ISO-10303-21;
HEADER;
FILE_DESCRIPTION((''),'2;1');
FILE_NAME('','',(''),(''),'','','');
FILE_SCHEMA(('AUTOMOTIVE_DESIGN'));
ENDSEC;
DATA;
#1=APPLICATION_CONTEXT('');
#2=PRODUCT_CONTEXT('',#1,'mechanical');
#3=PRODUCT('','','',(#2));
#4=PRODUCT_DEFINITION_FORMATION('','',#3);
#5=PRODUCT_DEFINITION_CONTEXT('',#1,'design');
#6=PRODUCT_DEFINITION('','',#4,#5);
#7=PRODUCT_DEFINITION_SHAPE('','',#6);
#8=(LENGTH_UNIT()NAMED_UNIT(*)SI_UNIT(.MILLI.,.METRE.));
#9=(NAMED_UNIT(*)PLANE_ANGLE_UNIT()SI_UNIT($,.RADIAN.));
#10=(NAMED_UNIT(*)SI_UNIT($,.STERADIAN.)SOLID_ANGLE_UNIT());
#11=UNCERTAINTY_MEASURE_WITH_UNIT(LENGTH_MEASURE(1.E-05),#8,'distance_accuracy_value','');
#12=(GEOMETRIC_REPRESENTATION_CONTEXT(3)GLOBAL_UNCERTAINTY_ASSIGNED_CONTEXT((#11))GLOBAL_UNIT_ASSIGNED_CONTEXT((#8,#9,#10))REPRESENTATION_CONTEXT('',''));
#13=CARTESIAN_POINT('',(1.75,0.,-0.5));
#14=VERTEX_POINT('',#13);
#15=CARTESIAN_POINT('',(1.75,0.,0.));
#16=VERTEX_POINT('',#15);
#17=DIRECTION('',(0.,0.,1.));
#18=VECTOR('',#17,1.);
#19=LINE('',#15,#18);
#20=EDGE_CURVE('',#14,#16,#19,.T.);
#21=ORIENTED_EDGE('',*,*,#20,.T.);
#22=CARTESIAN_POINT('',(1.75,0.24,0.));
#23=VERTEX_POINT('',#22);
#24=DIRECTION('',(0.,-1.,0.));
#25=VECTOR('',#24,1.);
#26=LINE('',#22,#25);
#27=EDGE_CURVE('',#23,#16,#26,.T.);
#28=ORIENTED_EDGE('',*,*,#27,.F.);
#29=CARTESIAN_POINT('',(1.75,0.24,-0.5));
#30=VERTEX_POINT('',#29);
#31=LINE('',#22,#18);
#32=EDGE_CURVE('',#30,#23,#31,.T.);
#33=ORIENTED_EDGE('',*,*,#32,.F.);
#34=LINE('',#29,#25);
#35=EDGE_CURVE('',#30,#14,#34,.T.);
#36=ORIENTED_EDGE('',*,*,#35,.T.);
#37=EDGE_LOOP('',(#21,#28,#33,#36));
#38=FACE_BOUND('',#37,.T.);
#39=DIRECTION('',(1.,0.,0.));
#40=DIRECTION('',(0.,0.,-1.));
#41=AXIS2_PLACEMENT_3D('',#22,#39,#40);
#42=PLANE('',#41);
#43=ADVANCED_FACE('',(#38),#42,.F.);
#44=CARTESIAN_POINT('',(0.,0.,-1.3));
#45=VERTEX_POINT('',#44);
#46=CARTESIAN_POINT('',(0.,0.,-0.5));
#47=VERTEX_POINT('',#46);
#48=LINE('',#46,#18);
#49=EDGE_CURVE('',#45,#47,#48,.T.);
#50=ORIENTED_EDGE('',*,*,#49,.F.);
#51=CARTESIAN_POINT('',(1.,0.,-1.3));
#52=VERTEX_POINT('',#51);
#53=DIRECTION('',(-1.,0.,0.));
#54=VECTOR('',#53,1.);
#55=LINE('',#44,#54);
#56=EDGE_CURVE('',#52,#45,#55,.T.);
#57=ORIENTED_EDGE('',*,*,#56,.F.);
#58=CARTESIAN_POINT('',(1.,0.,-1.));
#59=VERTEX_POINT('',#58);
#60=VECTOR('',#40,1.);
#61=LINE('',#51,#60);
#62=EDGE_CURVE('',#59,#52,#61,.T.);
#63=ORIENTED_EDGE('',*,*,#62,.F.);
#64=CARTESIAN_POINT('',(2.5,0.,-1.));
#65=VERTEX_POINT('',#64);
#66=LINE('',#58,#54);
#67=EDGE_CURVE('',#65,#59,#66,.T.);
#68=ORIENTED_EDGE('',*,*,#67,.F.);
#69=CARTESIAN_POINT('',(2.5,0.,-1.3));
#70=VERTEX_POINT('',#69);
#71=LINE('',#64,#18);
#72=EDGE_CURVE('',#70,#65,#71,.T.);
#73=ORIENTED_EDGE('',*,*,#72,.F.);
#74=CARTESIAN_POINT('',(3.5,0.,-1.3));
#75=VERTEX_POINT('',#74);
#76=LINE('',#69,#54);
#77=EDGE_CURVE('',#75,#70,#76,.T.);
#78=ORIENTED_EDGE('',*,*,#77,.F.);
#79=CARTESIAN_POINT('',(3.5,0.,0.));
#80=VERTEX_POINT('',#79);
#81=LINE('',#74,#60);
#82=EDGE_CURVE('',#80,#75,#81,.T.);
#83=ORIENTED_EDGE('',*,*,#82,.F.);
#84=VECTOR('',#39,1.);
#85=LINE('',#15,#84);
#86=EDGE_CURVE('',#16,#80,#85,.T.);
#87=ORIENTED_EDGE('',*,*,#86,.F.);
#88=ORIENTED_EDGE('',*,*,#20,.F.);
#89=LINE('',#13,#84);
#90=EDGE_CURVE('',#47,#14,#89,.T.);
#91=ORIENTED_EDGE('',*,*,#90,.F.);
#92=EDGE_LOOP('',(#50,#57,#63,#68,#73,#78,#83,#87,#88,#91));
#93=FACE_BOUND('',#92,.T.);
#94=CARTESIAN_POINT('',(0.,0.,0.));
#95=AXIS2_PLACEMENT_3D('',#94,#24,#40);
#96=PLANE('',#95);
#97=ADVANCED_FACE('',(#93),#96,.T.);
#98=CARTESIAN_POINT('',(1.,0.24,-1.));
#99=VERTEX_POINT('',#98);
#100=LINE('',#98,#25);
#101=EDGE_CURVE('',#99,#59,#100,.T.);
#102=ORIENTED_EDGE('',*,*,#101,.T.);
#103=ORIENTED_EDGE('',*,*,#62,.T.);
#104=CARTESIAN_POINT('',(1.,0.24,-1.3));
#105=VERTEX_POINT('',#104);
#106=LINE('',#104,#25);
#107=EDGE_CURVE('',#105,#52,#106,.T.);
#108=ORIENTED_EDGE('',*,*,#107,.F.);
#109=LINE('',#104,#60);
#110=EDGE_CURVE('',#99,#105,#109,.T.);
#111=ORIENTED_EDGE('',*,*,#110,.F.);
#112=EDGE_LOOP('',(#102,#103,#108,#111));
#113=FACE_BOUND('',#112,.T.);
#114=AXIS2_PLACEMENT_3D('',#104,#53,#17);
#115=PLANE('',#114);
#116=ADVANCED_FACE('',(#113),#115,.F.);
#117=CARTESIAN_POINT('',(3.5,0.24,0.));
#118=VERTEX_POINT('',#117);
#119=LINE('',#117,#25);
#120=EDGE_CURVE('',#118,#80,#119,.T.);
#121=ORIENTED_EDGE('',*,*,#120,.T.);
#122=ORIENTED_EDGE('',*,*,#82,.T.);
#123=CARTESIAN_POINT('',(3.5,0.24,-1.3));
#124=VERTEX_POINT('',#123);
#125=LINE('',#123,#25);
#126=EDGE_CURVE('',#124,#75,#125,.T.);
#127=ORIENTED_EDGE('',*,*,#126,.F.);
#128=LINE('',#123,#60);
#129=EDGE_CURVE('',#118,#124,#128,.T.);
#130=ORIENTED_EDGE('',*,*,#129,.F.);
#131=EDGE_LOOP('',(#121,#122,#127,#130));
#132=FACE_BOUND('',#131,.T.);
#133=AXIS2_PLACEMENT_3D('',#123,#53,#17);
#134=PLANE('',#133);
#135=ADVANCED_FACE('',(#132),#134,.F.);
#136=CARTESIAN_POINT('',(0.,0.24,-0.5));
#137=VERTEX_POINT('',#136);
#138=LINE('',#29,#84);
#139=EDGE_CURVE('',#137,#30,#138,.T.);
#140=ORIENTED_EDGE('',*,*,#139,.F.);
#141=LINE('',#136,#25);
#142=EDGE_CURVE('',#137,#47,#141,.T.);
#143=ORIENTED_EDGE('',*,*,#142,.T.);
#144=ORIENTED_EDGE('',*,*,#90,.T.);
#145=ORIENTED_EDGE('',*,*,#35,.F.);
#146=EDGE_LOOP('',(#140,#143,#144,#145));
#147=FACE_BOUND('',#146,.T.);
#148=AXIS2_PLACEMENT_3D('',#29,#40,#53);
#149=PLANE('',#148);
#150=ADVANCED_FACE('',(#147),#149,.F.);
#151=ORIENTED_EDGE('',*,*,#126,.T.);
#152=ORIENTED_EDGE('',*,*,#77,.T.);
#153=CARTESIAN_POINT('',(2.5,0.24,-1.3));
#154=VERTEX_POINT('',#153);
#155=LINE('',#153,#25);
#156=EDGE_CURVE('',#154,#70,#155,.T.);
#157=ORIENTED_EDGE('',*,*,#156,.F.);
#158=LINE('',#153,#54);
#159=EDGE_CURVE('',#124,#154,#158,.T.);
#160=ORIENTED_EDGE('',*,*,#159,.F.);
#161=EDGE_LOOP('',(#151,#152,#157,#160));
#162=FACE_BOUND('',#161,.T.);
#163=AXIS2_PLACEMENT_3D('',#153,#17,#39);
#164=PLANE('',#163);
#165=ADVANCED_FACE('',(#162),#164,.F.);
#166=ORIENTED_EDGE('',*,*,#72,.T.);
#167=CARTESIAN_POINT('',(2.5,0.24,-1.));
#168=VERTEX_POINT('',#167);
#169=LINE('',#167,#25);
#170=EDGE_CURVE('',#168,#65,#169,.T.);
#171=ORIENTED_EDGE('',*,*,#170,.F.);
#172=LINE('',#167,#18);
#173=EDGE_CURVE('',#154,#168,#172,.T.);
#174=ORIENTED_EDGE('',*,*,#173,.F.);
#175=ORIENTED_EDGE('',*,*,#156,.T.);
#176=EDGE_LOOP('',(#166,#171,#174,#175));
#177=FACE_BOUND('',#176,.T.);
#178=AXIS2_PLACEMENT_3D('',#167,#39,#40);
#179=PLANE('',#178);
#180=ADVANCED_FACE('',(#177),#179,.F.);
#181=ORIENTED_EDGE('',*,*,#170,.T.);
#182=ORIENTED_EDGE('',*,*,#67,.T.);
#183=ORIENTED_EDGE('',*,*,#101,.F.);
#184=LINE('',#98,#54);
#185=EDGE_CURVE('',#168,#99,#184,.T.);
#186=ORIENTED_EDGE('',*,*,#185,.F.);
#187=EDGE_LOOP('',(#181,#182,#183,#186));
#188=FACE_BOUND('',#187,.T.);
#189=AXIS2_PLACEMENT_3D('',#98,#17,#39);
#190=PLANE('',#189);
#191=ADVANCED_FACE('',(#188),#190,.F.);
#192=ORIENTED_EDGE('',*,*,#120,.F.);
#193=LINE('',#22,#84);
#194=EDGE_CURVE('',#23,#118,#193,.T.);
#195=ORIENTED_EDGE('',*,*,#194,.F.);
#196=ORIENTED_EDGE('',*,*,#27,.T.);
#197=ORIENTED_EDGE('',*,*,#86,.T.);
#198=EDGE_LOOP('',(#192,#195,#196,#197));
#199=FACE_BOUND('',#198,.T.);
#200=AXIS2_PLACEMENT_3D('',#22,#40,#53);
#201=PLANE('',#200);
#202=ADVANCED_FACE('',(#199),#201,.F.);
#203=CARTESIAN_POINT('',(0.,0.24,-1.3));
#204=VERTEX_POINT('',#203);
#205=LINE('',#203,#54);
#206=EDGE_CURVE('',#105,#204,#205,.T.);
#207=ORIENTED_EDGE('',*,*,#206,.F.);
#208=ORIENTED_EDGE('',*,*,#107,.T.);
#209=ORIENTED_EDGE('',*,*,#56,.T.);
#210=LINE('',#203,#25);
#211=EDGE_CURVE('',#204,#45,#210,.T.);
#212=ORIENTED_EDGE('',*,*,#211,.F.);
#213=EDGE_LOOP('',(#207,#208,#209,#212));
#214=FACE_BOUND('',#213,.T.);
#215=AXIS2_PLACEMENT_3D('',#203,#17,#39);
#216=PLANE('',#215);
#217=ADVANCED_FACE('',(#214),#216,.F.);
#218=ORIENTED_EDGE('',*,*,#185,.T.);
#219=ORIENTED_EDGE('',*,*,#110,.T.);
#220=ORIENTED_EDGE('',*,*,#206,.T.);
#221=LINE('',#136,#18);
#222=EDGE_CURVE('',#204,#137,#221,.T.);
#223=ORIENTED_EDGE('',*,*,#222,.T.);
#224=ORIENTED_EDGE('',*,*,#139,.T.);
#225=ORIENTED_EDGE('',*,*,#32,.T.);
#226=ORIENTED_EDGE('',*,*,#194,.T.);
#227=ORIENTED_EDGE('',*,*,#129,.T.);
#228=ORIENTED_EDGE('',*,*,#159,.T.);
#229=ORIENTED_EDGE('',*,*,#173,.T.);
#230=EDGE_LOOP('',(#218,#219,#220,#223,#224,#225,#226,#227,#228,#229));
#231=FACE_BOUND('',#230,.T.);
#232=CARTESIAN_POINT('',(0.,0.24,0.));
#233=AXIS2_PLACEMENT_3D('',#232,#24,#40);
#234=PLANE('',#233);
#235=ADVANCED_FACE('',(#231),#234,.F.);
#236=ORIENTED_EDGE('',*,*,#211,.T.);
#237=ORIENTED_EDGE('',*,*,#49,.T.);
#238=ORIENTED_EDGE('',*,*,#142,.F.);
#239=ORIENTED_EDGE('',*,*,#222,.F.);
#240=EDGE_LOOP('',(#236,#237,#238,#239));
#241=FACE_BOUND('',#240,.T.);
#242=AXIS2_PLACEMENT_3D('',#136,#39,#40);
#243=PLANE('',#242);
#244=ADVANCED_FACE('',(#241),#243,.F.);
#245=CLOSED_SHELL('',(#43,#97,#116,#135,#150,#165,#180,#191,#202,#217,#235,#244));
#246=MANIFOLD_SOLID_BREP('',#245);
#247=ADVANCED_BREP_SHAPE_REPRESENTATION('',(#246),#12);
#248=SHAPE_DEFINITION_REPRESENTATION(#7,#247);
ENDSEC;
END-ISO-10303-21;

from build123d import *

# Parameters (mm, degrees)
BOSS_EXTRUDE1_DEPTH = 0.24


with BuildPart() as part:
    # Sketch1 → Boss-Extrude1 (new body)
    with BuildSketch(Plane(origin=(0, 0, 0), x_dir=(1, 0, 0), z_dir=(0, 1, 0))):
        Polygon((0, 1.3), (1, 1.3), (1, 1), (2.5, 1), (2.5, 1.3), (3.5, 1.3), (3.5, 0), (1.75, 0), (1.75, 0.5), (0, 0.5), align=None)
    extrude(amount=BOSS_EXTRUDE1_DEPTH)


solid = part.part
